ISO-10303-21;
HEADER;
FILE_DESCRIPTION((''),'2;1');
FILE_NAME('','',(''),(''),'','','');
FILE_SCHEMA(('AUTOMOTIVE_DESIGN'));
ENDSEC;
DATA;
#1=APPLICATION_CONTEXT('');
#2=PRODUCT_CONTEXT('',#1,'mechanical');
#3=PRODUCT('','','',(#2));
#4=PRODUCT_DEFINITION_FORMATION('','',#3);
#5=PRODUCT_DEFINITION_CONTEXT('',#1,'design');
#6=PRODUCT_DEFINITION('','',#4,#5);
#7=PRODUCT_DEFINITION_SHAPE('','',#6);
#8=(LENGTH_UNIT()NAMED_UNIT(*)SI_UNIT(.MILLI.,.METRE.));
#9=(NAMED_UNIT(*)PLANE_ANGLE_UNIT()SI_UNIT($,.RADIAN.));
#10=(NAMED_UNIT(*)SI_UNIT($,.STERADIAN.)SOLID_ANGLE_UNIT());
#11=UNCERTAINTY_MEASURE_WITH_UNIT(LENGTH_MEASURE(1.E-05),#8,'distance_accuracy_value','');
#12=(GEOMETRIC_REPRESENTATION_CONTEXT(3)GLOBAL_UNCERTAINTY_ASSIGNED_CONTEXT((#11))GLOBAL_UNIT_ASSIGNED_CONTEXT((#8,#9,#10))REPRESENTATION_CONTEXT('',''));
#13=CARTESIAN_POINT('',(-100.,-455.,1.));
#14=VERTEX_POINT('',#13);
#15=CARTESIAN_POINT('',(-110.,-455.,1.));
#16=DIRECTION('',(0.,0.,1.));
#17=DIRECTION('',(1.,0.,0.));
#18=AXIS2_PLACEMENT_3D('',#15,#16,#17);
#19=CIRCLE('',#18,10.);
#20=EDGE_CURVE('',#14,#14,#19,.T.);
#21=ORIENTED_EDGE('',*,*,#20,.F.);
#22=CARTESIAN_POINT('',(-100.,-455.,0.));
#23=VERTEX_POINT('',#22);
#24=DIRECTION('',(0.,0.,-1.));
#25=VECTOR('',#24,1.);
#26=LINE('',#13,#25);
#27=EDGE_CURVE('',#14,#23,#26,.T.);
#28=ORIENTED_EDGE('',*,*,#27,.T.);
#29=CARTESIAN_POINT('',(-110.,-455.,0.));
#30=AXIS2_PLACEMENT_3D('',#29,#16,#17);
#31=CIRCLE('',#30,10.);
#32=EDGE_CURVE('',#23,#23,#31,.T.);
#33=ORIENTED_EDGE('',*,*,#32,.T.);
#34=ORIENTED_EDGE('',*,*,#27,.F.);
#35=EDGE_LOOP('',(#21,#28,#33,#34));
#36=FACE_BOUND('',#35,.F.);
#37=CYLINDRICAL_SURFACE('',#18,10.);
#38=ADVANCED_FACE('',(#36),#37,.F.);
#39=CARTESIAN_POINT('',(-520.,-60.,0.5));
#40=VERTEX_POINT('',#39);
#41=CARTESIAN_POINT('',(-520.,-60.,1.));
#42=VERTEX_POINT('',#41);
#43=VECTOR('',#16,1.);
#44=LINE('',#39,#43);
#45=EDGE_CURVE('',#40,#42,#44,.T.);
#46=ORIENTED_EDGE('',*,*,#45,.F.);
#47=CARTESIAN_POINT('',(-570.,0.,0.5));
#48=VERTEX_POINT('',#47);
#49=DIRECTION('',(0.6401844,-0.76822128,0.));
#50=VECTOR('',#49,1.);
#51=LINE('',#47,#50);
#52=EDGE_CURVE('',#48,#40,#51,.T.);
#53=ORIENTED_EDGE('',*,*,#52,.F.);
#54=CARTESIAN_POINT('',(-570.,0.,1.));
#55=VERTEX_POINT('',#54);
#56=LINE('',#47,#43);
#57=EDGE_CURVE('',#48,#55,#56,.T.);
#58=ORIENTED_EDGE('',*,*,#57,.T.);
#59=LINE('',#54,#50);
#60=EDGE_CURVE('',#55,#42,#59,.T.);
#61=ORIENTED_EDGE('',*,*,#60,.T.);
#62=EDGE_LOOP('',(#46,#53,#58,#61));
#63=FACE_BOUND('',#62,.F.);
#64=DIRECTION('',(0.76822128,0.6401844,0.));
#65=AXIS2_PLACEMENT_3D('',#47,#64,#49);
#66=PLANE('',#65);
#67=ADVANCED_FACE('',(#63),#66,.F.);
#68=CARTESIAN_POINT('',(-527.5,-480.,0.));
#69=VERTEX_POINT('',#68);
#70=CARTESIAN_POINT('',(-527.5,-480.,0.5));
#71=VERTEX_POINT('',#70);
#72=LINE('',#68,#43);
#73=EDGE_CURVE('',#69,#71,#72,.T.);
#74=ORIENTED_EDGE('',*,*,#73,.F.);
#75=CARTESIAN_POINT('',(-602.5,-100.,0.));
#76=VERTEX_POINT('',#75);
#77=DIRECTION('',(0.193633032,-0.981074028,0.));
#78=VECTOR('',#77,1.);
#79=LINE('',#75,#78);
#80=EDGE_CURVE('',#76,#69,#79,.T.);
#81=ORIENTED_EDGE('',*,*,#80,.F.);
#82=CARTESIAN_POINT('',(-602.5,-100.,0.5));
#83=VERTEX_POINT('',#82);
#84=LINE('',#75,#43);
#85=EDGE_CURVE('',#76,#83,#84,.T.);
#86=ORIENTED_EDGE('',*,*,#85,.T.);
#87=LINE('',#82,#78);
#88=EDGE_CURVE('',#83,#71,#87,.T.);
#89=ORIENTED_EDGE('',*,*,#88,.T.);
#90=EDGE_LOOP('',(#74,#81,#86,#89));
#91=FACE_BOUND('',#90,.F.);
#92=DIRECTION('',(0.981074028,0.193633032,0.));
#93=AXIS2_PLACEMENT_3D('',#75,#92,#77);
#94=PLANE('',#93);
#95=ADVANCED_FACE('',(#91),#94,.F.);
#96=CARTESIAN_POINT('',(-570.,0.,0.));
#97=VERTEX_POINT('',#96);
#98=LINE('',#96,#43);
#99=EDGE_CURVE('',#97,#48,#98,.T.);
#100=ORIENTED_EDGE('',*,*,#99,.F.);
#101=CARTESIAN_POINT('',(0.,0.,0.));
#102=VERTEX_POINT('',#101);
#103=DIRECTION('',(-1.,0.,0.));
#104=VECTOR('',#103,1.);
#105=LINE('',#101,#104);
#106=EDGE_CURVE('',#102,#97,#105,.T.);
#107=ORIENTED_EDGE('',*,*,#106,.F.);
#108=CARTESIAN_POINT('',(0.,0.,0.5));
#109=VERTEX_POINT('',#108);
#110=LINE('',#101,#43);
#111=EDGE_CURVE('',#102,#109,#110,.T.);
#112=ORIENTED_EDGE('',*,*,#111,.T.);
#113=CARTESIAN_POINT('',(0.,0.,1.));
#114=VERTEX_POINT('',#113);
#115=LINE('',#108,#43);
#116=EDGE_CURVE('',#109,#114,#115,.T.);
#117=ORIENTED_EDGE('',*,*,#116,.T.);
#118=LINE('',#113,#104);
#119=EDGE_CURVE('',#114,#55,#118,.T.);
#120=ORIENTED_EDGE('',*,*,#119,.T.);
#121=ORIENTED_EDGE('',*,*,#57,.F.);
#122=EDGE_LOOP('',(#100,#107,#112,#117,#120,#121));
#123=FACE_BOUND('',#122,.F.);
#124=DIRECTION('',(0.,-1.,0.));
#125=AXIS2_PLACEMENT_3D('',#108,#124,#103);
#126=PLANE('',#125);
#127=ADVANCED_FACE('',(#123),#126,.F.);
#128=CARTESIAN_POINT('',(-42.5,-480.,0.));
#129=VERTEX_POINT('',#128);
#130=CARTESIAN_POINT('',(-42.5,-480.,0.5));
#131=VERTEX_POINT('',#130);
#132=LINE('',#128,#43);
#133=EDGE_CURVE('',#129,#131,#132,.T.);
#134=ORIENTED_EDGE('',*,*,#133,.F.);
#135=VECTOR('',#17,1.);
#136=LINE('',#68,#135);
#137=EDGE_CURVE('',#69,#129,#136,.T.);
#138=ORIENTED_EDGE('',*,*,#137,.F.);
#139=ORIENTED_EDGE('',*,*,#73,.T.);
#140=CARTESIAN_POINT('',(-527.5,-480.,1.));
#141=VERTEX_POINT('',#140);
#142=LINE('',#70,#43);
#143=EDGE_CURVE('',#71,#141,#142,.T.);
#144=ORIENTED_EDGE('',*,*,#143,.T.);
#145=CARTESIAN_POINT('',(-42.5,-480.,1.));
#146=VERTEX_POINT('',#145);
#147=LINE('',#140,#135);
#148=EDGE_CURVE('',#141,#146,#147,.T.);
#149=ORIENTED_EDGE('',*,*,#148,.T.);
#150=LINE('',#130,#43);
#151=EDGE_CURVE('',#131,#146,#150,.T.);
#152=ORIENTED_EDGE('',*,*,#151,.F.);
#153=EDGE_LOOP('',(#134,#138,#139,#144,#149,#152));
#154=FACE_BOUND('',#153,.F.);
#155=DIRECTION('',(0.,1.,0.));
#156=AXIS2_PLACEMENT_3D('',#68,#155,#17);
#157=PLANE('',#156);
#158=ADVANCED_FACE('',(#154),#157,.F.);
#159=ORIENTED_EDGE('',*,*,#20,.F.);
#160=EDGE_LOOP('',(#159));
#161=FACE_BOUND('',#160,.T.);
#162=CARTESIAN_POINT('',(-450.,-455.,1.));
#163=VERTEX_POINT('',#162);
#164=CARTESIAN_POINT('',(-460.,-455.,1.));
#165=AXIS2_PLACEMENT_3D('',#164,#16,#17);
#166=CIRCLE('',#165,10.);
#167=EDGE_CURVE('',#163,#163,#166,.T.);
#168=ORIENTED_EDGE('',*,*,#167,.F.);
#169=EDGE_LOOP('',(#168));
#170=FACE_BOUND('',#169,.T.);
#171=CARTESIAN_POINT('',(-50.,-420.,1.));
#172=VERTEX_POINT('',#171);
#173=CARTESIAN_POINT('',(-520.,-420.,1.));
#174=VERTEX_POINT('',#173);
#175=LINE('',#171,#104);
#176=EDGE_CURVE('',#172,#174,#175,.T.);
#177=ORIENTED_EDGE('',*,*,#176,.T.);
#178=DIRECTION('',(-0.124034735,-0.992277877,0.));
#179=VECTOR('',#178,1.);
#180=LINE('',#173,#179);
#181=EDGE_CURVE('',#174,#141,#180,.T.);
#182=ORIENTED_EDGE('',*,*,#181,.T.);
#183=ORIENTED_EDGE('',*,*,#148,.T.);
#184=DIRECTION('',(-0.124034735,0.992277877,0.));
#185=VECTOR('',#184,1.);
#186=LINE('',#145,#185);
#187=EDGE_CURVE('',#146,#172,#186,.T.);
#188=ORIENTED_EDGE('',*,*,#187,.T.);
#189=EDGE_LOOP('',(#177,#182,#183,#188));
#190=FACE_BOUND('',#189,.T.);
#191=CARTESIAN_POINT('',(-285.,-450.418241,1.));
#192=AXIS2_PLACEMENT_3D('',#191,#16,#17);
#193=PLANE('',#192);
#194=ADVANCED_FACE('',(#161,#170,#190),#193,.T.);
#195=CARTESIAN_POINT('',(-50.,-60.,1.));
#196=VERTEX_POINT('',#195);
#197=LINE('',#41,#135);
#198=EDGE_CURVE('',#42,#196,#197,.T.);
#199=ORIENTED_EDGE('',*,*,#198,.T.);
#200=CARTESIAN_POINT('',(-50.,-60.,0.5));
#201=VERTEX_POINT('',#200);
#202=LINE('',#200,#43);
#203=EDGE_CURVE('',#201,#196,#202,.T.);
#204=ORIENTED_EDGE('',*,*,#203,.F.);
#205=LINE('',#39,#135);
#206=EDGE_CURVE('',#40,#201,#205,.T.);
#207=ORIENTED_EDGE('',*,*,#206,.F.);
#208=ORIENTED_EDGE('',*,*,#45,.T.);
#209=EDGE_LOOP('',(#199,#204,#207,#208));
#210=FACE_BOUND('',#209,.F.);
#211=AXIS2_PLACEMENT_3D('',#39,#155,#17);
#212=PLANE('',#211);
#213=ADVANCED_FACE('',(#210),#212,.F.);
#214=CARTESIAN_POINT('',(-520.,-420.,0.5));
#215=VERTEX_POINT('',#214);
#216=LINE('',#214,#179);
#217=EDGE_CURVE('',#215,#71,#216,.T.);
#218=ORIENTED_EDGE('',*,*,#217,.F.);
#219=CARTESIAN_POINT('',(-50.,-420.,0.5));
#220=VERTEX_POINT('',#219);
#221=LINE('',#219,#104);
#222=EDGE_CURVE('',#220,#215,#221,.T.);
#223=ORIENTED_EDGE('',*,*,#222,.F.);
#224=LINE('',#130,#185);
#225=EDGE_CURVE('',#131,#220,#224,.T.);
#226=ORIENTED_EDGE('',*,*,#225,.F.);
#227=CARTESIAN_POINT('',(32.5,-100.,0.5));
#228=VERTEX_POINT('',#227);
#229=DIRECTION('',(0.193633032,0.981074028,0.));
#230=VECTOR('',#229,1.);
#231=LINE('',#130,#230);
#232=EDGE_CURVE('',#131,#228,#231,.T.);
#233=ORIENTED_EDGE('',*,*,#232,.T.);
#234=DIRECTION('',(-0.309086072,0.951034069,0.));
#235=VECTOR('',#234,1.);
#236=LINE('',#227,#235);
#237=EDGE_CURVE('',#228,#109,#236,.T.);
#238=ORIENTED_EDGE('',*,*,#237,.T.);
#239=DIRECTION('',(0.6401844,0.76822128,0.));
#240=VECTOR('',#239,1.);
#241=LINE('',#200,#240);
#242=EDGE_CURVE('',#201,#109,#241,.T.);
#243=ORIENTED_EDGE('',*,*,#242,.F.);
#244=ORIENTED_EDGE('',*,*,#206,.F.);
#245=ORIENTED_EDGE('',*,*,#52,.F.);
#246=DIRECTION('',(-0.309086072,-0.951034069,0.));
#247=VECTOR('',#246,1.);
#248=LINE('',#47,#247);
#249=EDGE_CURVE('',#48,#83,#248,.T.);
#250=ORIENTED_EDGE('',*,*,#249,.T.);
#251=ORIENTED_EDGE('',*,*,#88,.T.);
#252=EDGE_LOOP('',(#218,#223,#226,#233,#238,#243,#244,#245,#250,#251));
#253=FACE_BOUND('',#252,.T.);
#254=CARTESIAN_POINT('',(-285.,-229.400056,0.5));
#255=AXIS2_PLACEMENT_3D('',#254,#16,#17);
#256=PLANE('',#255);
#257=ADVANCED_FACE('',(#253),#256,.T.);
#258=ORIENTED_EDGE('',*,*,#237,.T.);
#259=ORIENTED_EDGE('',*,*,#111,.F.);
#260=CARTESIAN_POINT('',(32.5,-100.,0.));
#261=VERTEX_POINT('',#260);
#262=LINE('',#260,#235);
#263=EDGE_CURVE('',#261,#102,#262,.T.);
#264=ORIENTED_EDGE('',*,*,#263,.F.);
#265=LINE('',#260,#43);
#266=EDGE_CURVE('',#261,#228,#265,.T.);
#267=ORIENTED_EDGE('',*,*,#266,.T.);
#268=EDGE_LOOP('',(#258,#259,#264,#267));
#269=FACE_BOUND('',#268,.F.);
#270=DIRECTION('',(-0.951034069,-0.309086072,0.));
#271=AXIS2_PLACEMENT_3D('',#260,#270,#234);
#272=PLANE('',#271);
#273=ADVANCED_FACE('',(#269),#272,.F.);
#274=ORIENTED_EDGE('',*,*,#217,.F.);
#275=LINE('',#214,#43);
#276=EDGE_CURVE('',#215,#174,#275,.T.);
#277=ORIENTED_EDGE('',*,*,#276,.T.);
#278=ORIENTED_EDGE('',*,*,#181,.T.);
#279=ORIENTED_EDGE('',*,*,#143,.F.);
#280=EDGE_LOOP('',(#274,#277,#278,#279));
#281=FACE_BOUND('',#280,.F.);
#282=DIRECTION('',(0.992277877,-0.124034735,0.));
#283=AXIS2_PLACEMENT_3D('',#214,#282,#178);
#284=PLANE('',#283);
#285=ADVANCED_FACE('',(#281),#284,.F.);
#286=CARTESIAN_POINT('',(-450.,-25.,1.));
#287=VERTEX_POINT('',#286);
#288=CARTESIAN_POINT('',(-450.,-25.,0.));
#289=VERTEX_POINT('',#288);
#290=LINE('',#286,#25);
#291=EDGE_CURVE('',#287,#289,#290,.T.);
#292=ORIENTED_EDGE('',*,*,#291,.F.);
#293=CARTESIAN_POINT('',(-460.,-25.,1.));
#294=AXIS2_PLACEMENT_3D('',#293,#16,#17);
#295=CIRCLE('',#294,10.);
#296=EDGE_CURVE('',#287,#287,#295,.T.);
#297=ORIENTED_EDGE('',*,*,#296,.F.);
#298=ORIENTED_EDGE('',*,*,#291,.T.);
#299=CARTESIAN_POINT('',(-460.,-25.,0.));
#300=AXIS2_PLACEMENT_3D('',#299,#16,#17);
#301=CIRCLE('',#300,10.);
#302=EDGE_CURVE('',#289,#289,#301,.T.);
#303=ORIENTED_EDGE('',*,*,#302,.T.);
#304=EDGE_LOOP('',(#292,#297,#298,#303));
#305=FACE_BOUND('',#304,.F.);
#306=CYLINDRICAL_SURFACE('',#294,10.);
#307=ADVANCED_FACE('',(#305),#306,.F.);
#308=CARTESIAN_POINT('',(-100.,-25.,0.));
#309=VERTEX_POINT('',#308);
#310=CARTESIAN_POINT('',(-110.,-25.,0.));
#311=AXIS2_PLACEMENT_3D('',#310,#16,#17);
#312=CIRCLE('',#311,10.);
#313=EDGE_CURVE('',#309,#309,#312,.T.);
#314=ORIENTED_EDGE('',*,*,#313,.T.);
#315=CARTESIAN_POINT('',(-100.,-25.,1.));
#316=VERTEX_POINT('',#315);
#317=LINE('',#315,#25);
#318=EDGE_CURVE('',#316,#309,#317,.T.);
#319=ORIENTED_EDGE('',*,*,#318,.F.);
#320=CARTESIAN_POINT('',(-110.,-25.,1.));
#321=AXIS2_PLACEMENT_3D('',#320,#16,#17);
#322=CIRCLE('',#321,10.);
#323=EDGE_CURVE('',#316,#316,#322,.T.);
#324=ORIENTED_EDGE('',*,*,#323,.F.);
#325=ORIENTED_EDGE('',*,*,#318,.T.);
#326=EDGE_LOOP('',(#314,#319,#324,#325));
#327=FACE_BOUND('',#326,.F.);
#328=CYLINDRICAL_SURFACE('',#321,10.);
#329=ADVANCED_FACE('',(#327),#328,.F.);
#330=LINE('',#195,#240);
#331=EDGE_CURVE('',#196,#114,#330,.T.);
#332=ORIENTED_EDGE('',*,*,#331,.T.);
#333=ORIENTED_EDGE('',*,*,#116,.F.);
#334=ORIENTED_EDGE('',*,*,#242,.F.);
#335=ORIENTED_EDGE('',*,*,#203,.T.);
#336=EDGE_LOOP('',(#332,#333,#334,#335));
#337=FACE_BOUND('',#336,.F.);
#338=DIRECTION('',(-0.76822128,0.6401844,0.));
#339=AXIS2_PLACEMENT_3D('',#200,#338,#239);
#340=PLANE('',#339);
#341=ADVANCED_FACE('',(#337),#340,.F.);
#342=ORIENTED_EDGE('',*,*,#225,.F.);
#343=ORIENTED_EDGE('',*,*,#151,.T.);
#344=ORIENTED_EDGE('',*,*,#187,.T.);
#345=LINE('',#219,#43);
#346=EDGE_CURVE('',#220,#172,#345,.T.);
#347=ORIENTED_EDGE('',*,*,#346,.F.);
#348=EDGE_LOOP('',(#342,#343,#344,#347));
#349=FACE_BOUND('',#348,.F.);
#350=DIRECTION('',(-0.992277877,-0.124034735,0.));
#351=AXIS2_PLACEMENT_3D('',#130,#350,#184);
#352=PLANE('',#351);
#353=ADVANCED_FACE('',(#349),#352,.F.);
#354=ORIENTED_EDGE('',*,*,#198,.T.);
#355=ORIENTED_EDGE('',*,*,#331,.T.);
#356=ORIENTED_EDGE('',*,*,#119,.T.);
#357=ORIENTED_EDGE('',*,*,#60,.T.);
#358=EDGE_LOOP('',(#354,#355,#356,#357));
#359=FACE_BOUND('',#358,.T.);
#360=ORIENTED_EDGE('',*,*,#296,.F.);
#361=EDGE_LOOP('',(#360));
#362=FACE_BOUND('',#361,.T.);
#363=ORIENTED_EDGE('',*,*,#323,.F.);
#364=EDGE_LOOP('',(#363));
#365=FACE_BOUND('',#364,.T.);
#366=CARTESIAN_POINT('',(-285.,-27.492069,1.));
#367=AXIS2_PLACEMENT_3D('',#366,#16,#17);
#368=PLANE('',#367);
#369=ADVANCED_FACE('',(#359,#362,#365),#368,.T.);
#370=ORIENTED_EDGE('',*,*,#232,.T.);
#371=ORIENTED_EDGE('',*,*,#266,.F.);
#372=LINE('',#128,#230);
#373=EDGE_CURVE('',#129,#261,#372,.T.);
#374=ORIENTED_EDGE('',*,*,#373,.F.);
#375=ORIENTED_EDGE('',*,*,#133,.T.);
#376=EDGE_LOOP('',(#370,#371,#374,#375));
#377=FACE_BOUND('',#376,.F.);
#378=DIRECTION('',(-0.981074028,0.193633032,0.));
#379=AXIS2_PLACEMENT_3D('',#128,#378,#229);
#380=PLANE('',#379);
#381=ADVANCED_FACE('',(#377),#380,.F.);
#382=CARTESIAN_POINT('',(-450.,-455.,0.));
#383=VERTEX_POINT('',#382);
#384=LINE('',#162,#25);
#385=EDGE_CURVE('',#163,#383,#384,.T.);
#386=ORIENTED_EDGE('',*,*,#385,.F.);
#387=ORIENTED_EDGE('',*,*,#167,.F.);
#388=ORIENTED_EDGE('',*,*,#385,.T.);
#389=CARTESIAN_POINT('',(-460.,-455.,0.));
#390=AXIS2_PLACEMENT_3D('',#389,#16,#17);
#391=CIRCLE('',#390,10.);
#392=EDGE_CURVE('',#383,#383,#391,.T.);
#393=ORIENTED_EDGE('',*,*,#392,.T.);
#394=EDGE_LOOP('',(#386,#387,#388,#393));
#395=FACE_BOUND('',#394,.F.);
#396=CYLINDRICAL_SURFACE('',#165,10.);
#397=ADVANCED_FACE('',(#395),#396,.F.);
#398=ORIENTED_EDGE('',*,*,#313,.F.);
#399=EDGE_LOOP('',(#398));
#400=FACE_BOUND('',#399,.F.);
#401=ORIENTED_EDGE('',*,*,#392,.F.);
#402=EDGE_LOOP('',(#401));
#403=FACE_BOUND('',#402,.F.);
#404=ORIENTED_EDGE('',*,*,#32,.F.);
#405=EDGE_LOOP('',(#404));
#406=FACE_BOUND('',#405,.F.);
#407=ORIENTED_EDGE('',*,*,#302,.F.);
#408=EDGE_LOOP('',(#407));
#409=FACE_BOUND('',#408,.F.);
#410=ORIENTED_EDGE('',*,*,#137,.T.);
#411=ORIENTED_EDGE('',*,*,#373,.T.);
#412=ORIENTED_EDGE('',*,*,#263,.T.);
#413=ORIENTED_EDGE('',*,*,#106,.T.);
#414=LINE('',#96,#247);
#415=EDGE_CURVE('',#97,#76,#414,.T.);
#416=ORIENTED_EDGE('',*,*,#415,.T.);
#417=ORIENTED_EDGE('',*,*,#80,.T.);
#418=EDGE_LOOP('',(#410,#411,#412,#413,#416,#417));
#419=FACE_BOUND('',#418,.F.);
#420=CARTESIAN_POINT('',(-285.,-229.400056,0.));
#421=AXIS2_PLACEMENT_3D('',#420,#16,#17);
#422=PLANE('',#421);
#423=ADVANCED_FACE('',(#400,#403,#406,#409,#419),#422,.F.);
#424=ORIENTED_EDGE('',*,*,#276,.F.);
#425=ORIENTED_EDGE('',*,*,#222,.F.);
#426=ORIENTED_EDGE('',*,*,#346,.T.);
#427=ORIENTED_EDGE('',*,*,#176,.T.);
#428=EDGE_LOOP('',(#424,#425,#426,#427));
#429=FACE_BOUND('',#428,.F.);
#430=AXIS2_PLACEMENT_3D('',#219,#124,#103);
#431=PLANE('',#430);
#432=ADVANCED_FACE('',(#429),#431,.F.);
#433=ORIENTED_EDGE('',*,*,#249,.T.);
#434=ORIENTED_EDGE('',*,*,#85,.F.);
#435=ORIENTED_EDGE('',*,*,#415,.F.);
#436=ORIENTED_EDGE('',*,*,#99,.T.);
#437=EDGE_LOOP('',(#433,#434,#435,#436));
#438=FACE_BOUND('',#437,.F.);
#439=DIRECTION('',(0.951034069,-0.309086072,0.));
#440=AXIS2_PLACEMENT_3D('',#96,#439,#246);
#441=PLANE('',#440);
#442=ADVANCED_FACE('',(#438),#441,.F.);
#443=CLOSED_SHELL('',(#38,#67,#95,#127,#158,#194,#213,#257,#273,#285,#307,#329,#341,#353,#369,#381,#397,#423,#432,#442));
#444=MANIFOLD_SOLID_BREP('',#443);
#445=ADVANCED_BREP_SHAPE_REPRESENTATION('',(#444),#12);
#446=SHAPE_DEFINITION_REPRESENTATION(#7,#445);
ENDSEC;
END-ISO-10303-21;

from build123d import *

# Parameters (mm, degrees)
F1_DEPTH = 0.5
F3_DEPTH = 0.5
F4_R     = 10
F5_DEPTH = 1.001


with BuildPart() as f1:
    # F0 (on Top) → F1 (new body)
    with BuildSketch(Plane.XY):
        Polygon((0, 0), (-570, 0), (-602.5, -100), (-527.5, -480), (-42.5, -480), (32.5, -100), align=None)
    extrude(amount=F1_DEPTH)

    # F2 (on face) → F3 (join)
    with BuildSketch(Plane.XY.offset(0.5)):
        Polygon((0, 0), (-570, 0), (-520, -60), (-50, -60), align=None)
        Polygon((-527.5, -480), (-42.5, -480), (-50, -420), (-520, -420), align=None)
    extrude(amount=F3_DEPTH)

    # F4 (on face) → F5 (cut, through all)
    with BuildSketch(Plane.XY.offset(1)):
        with Locations((-460, -25)):
            Circle(F4_R)
        with Locations((-460, -455)):
            Circle(F4_R)
        with Locations((-110, -25)):
            Circle(F4_R)
        with Locations((-110, -455)):
            Circle(F4_R)
    extrude(amount=-F5_DEPTH, mode=Mode.SUBTRACT)


solid = f1.part
